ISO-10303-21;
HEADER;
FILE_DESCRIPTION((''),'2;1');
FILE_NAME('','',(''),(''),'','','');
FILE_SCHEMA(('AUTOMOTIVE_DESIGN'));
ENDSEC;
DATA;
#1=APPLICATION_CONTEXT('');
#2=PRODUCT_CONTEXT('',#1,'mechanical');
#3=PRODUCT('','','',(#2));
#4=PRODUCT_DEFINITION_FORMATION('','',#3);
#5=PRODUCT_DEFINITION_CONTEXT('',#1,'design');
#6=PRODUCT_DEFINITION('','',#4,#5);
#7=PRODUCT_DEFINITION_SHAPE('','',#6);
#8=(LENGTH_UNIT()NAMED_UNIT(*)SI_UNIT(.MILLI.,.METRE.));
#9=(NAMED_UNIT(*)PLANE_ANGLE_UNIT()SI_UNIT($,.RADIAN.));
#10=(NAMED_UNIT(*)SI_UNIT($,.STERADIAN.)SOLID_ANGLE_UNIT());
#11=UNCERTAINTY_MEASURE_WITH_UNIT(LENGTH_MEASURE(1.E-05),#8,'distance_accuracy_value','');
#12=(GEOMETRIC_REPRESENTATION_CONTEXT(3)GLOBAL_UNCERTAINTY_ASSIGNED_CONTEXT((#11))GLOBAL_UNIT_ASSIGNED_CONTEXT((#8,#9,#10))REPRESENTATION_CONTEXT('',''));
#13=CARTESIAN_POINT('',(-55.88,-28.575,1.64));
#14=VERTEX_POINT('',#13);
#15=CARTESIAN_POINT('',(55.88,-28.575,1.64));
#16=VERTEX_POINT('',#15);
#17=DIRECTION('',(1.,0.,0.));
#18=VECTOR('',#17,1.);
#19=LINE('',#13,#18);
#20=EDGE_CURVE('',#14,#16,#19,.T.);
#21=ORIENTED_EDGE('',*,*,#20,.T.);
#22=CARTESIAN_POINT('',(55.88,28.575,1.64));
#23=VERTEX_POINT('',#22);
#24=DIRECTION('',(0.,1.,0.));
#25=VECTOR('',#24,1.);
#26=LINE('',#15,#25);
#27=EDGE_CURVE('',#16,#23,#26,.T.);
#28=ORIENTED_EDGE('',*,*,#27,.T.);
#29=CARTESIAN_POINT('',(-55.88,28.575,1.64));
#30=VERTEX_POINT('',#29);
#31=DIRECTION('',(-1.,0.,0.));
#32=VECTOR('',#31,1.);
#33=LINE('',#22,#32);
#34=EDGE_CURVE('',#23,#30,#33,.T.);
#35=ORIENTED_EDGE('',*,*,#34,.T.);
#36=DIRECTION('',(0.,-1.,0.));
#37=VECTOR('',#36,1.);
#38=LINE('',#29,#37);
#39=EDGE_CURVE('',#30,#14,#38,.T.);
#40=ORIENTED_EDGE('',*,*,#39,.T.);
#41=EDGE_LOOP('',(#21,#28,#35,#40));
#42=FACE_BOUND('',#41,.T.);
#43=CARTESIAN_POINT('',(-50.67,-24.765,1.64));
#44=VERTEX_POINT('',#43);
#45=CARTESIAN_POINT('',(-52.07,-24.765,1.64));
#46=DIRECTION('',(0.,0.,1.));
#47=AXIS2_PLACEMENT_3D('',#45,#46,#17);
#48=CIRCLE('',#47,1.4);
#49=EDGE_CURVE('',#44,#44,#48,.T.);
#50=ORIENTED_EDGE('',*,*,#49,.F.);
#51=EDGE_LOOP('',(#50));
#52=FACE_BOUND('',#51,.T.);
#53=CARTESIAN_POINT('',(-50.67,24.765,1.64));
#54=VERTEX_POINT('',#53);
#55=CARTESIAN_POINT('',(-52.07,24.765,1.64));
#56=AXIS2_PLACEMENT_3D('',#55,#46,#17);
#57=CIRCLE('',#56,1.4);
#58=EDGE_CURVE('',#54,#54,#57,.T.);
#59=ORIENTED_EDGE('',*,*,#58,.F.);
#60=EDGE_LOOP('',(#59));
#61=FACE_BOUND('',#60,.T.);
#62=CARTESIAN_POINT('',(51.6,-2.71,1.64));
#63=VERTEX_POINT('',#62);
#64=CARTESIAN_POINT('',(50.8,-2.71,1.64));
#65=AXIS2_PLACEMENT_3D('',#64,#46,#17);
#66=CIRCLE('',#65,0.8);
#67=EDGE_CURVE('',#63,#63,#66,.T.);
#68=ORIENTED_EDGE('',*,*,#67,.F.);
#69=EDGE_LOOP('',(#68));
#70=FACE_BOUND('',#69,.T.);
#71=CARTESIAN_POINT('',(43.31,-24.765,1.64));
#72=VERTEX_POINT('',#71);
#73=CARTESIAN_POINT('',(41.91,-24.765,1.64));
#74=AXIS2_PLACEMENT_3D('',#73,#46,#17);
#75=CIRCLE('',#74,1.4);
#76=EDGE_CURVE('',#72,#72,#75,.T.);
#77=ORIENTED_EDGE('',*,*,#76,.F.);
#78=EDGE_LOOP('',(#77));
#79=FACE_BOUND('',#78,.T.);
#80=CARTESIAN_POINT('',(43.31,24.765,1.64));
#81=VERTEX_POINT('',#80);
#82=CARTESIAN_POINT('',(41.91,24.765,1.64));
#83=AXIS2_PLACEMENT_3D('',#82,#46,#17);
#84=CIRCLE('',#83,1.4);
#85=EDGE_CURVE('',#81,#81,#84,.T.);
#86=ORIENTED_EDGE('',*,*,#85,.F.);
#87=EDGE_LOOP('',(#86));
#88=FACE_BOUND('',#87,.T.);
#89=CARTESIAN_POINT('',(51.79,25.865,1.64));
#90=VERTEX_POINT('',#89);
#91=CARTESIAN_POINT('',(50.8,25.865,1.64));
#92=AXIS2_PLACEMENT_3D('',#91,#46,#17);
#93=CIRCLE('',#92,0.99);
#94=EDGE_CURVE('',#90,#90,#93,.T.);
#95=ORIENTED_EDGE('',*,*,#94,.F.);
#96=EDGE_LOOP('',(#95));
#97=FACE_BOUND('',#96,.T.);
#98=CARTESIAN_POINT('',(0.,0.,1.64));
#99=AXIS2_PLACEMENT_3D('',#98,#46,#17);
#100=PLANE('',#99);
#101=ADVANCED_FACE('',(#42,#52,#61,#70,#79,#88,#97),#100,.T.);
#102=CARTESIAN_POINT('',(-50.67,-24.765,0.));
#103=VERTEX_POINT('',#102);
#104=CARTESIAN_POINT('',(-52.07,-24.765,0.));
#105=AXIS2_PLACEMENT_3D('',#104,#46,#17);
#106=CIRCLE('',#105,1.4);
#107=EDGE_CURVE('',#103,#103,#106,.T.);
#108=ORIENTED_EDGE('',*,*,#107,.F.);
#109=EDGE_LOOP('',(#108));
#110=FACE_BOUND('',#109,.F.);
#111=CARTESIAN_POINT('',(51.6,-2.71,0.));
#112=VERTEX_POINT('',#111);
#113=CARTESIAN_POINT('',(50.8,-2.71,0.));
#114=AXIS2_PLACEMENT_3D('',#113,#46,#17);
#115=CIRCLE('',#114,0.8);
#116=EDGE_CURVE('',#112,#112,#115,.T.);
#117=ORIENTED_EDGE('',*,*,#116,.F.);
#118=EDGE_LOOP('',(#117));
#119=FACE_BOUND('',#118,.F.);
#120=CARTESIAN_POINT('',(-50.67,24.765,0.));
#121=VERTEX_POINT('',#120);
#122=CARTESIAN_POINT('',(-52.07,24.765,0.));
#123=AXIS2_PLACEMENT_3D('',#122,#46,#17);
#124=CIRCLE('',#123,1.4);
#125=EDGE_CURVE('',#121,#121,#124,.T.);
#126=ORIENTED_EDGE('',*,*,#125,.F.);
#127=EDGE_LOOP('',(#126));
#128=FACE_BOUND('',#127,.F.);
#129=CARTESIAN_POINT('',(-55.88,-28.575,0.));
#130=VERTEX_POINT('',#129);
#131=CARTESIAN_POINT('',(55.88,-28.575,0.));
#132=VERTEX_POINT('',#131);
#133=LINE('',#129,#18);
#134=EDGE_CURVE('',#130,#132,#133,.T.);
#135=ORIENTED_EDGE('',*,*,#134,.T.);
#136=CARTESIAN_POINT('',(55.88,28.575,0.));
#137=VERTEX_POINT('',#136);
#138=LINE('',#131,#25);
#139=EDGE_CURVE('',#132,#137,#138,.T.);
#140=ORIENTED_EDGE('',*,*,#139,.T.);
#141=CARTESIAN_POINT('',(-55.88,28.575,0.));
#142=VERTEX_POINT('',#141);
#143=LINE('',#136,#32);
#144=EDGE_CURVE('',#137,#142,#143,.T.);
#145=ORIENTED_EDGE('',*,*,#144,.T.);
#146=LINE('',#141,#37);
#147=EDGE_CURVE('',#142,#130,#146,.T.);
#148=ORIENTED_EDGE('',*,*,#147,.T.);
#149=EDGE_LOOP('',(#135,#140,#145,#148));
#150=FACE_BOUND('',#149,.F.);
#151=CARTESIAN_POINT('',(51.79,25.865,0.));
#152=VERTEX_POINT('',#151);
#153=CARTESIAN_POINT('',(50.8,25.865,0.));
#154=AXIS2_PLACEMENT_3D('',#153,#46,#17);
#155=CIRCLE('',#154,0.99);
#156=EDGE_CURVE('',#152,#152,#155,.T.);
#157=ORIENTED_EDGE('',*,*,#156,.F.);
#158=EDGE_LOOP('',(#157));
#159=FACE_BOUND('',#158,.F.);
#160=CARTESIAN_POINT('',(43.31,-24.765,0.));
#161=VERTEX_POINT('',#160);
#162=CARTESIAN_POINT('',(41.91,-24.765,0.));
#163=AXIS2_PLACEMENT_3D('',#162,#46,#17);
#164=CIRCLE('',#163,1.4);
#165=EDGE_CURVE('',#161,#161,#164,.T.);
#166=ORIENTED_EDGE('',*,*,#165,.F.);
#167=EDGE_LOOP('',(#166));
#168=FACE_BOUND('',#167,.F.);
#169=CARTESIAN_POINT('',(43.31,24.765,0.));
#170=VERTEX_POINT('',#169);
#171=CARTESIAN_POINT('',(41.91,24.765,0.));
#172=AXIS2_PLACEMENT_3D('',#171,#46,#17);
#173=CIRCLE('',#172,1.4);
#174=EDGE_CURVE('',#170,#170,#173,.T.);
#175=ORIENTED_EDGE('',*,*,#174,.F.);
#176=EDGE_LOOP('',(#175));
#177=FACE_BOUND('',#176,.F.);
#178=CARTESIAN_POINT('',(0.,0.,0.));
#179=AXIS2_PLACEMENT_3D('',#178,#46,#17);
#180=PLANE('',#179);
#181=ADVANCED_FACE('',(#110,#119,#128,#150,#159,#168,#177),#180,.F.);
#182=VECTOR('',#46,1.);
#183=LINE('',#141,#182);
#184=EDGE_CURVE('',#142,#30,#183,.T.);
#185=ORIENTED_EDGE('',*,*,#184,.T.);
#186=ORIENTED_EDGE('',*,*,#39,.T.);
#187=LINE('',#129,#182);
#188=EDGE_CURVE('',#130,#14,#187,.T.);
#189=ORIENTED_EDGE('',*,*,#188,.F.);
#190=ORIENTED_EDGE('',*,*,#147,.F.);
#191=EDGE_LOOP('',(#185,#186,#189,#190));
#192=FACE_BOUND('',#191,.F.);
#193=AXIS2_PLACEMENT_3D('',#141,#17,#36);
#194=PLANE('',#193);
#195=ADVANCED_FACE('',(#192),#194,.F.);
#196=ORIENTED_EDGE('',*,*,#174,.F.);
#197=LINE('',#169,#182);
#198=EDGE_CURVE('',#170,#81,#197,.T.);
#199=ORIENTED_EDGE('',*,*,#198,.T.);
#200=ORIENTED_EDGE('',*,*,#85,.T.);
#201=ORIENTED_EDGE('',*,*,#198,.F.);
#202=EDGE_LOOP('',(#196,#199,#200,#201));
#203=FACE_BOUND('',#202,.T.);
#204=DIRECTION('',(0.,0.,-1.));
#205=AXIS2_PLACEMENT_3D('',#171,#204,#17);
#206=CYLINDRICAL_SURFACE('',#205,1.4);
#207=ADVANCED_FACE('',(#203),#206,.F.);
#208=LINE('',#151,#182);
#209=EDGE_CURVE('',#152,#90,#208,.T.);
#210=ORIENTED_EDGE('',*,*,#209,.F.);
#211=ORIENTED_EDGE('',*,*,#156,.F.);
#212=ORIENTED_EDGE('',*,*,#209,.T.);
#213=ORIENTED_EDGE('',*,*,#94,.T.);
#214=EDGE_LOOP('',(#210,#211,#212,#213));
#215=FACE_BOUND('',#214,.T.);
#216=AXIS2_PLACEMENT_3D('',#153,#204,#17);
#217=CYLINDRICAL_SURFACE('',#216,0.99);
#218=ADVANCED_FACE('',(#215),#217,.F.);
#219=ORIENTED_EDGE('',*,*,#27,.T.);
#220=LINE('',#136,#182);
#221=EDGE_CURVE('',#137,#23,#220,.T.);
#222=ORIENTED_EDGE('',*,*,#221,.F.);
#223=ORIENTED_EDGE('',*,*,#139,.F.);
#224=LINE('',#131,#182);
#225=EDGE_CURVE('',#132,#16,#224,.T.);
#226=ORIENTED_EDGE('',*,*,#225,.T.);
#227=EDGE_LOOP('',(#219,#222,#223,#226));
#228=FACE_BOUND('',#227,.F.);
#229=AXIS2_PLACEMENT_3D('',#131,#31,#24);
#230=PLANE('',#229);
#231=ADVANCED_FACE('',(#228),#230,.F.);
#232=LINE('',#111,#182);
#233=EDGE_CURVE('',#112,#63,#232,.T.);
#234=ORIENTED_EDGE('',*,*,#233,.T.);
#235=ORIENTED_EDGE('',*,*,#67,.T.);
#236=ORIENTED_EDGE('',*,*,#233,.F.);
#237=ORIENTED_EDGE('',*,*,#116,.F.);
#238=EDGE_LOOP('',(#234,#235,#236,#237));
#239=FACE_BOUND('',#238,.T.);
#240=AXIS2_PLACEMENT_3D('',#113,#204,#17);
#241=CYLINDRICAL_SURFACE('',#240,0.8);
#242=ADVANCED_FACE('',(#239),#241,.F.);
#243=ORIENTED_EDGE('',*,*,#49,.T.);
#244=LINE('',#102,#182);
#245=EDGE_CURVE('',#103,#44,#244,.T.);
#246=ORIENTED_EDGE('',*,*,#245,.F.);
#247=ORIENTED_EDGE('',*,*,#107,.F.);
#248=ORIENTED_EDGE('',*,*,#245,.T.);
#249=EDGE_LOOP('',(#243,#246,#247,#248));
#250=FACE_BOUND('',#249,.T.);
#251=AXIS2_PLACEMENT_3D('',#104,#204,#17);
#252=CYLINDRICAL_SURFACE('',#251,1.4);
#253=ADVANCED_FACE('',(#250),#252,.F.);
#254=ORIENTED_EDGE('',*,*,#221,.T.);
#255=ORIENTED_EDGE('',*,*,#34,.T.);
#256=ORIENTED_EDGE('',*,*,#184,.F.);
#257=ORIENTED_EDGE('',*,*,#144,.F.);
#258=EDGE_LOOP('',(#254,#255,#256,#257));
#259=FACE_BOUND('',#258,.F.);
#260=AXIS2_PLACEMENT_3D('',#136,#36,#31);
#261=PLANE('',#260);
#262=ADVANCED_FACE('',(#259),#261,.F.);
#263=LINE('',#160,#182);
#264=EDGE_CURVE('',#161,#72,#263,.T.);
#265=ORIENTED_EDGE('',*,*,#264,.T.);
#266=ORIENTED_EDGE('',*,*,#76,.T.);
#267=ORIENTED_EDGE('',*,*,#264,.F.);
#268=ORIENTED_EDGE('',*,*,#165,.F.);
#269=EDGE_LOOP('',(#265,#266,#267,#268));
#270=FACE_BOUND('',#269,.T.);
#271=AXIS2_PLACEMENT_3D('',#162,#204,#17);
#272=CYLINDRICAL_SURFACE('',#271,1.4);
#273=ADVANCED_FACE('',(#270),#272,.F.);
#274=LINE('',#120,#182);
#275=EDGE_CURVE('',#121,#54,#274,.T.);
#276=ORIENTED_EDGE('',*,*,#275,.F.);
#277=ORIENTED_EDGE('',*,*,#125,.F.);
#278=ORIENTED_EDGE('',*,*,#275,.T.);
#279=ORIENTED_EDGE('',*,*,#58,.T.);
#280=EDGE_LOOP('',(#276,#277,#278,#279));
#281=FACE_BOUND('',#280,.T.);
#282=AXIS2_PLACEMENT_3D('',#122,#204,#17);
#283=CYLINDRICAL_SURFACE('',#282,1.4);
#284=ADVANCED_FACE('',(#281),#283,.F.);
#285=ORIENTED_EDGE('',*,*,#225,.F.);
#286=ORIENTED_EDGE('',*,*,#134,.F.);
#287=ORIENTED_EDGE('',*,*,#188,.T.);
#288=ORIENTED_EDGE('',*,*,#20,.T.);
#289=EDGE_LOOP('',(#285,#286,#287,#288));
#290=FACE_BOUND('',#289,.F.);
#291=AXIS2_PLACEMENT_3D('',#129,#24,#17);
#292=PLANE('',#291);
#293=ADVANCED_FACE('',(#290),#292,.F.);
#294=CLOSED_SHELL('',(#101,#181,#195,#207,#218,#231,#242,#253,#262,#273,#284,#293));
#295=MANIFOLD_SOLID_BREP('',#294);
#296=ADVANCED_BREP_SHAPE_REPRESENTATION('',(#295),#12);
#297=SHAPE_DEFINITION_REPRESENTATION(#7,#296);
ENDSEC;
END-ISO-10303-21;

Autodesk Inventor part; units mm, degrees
ref_plane "YZ Plane" through (0, 0, 0) normal (1, 0, 0) x (0, 1, 0)
ref_plane "XZ Plane" through (0, 0, 0) normal (0, 1, 0) x (-1, 0, 0)
ref_plane "XY Plane" through (0, 0, 0) normal (0, 0, 1) x (1, 0, 0)
sketch "Sketch1" plane through (0, 0, 0) normal (0, 0, 1) x (1, 0, 0)
  line L0 (-55.88, -28.575) -> (55.88, -28.575)
  line L1 (55.88, -28.575) -> (55.88, 28.575)
  line L2 (55.88, 28.575) -> (-55.88, 28.575)
  line L3 (-55.88, 28.575) -> (-55.88, -28.575)
  line L4 (-55.88, -28.575) -> (55.88, 28.575) construction
  line L5 (55.88, -28.575) -> (-55.88, 28.575) construction
  circle A0 centre (-52.07, 24.765) radius 1.4
  line L6 (-55.88, 0) -> (55.88, 0) construction
  line L7 (0, 28.575) -> (0, -28.575) construction
  circle A1 centre (-52.07, -24.765) radius 1.4
  circle A2 centre (-31.75, 24.765) radius 1.4
  circle A3 centre (31.75, 24.765) radius 1.4
  circle A4 centre (-31.75, -24.765) radius 1.4
  circle A5 centre (31.75, -24.765) radius 1.4
  circle A6 centre (50.8, 25.865) radius 0.99
  circle A7 centre (41.91, 24.765) radius 1.4
  circle A8 centre (41.91, -24.765) radius 1.4
  circle A9 centre (50.8, -2.71) radius 0.8
  point P0 (0, 0)
  dimension "d2" = 111.76
  dimension "d4" = 57.15
  dimension "d5" = 49.53
  dimension "d6" = 2.8
  dimension "d8" = 2.8
  dimension "d10" = 49.53
  dimension "d21" = 3.81
  dimension "d22" = 3.81
  dimension "d23" = 3.81
  dimension "d28" = 3.81
  dimension "d30" = 63.5
  dimension "d35" = 1.98
  dimension "d36" = 5.08
  dimension "d37" = 2.71
  dimension "d38" = 2.8
  dimension "d39" = 3.81
  dimension "d40" = 13.97
  dimension "d41" = 63.5
  dimension "d42" = 1.6
  dimension "d43" = 5.08
  dimension "d44" = 2.71
extrude "Extrusion1" add sketch "Sketch1" along normal blind 1.64 contours L3 L2 L1 L0 | A2 | A3 | A4 | A5
sketch "Sketch3" plane through (0, 0, 1.64) normal (0, 0, 1) x (1, 0, 0)
  circle A0 centre (26.67, -24.765) radius 1.4 projected
  circle A1 centre (-26.67, -24.765) radius 1.4 projected
  line L0 (55.88, 28.575) -> (-55.88, 28.575) projected
  line L1 (-21.67, -25.765) -> (21.67, -25.765)
  line L2 (21.67, -25.765) -> (21.67, 30.575)
  line L3 (21.67, 30.575) -> (-21.67, 30.575)
  line L4 (-21.67, 30.575) -> (-21.67, -25.765)
  line L5 (55.88, -28.575) -> (55.88, 28.575) projected
  line L6 (-55.88, 28.575) -> (-55.88, -28.575) projected
  point P0 (0, 0)
  dimension "d15" = 2
  dimension "d16" = 5
  dimension "d17" = 5
  dimension "d18" = 1
  dimension "d33" = 34.21
  dimension "d34" = 34.21
extrude "Extrusion3" [suppressed]
sketch "Sketch4" plane through (0, 0, 0) normal (0, 0, -1) x (-1, 0, 0)
  line L0 (-55.88, 28.575) -> (55.88, 28.575) construction
  line L1 (55.88, 28.575) -> (55.88, -28.575) construction
  line L2 (55.88, -28.575) -> (-55.88, -28.575) construction
  line L3 (-55.88, -28.575) -> (-55.88, 28.575) construction
  circle A0 centre (-41.91, -24.765) radius 1.4 projected
  circle A1 centre (-41.91, 24.765) radius 1.4 projected
  circle A2 centre (52.07, -24.765) radius 1.4 projected
  circle A3 centre (52.07, 24.765) radius 1.4 projected
  circle A4 centre (-50.8, 25.865) radius 0.99 projected
  circle A5 centre (-50.8, -2.71) radius 0.8 projected
  line L4 (55.88, -28.575) -> (-55.88, -28.575) projected
  line L5 (55.88, 28.575) -> (55.88, -28.575) projected
  line L6 (-55.88, 28.575) -> (55.88, 28.575) projected
  line L7 (-55.88, -28.575) -> (-55.88, 28.575) projected
  point P0 (0, 0)
sketch "Sketch5" plane through (0, 0, 1.64) normal (0, 0, 1) x (1, 0, 0)
  circle A0 centre (41.91, -24.765) radius 1.4 projected
  circle A1 centre (41.91, 24.765) radius 1.4 projected
  circle A2 centre (-52.07, -24.765) radius 1.4 projected
  circle A3 centre (-52.07, 24.765) radius 1.4 projected
  circle A4 centre (50.8, 25.865) radius 0.99 projected
  circle A5 centre (50.8, -2.71) radius 0.8 projected
  line L0 (-55.88, -28.575) -> (55.88, -28.575) projected
  line L1 (55.88, -28.575) -> (55.88, 28.575) projected
  line L2 (55.88, 28.575) -> (-55.88, 28.575) projected
  line L3 (-55.88, 28.575) -> (-55.88, -28.575) projected
  line L4 (55.88, -28.575) -> (-55.88, -28.575) construction
  line L5 (-55.88, -28.575) -> (-55.88, 28.575) construction
  line L6 (-55.88, 28.575) -> (55.88, 28.575) construction
  line L7 (55.88, 28.575) -> (55.88, -28.575) construction
  point P0 (0, 0)
properties part number "BetaBoard01" material "PCB(1)"
